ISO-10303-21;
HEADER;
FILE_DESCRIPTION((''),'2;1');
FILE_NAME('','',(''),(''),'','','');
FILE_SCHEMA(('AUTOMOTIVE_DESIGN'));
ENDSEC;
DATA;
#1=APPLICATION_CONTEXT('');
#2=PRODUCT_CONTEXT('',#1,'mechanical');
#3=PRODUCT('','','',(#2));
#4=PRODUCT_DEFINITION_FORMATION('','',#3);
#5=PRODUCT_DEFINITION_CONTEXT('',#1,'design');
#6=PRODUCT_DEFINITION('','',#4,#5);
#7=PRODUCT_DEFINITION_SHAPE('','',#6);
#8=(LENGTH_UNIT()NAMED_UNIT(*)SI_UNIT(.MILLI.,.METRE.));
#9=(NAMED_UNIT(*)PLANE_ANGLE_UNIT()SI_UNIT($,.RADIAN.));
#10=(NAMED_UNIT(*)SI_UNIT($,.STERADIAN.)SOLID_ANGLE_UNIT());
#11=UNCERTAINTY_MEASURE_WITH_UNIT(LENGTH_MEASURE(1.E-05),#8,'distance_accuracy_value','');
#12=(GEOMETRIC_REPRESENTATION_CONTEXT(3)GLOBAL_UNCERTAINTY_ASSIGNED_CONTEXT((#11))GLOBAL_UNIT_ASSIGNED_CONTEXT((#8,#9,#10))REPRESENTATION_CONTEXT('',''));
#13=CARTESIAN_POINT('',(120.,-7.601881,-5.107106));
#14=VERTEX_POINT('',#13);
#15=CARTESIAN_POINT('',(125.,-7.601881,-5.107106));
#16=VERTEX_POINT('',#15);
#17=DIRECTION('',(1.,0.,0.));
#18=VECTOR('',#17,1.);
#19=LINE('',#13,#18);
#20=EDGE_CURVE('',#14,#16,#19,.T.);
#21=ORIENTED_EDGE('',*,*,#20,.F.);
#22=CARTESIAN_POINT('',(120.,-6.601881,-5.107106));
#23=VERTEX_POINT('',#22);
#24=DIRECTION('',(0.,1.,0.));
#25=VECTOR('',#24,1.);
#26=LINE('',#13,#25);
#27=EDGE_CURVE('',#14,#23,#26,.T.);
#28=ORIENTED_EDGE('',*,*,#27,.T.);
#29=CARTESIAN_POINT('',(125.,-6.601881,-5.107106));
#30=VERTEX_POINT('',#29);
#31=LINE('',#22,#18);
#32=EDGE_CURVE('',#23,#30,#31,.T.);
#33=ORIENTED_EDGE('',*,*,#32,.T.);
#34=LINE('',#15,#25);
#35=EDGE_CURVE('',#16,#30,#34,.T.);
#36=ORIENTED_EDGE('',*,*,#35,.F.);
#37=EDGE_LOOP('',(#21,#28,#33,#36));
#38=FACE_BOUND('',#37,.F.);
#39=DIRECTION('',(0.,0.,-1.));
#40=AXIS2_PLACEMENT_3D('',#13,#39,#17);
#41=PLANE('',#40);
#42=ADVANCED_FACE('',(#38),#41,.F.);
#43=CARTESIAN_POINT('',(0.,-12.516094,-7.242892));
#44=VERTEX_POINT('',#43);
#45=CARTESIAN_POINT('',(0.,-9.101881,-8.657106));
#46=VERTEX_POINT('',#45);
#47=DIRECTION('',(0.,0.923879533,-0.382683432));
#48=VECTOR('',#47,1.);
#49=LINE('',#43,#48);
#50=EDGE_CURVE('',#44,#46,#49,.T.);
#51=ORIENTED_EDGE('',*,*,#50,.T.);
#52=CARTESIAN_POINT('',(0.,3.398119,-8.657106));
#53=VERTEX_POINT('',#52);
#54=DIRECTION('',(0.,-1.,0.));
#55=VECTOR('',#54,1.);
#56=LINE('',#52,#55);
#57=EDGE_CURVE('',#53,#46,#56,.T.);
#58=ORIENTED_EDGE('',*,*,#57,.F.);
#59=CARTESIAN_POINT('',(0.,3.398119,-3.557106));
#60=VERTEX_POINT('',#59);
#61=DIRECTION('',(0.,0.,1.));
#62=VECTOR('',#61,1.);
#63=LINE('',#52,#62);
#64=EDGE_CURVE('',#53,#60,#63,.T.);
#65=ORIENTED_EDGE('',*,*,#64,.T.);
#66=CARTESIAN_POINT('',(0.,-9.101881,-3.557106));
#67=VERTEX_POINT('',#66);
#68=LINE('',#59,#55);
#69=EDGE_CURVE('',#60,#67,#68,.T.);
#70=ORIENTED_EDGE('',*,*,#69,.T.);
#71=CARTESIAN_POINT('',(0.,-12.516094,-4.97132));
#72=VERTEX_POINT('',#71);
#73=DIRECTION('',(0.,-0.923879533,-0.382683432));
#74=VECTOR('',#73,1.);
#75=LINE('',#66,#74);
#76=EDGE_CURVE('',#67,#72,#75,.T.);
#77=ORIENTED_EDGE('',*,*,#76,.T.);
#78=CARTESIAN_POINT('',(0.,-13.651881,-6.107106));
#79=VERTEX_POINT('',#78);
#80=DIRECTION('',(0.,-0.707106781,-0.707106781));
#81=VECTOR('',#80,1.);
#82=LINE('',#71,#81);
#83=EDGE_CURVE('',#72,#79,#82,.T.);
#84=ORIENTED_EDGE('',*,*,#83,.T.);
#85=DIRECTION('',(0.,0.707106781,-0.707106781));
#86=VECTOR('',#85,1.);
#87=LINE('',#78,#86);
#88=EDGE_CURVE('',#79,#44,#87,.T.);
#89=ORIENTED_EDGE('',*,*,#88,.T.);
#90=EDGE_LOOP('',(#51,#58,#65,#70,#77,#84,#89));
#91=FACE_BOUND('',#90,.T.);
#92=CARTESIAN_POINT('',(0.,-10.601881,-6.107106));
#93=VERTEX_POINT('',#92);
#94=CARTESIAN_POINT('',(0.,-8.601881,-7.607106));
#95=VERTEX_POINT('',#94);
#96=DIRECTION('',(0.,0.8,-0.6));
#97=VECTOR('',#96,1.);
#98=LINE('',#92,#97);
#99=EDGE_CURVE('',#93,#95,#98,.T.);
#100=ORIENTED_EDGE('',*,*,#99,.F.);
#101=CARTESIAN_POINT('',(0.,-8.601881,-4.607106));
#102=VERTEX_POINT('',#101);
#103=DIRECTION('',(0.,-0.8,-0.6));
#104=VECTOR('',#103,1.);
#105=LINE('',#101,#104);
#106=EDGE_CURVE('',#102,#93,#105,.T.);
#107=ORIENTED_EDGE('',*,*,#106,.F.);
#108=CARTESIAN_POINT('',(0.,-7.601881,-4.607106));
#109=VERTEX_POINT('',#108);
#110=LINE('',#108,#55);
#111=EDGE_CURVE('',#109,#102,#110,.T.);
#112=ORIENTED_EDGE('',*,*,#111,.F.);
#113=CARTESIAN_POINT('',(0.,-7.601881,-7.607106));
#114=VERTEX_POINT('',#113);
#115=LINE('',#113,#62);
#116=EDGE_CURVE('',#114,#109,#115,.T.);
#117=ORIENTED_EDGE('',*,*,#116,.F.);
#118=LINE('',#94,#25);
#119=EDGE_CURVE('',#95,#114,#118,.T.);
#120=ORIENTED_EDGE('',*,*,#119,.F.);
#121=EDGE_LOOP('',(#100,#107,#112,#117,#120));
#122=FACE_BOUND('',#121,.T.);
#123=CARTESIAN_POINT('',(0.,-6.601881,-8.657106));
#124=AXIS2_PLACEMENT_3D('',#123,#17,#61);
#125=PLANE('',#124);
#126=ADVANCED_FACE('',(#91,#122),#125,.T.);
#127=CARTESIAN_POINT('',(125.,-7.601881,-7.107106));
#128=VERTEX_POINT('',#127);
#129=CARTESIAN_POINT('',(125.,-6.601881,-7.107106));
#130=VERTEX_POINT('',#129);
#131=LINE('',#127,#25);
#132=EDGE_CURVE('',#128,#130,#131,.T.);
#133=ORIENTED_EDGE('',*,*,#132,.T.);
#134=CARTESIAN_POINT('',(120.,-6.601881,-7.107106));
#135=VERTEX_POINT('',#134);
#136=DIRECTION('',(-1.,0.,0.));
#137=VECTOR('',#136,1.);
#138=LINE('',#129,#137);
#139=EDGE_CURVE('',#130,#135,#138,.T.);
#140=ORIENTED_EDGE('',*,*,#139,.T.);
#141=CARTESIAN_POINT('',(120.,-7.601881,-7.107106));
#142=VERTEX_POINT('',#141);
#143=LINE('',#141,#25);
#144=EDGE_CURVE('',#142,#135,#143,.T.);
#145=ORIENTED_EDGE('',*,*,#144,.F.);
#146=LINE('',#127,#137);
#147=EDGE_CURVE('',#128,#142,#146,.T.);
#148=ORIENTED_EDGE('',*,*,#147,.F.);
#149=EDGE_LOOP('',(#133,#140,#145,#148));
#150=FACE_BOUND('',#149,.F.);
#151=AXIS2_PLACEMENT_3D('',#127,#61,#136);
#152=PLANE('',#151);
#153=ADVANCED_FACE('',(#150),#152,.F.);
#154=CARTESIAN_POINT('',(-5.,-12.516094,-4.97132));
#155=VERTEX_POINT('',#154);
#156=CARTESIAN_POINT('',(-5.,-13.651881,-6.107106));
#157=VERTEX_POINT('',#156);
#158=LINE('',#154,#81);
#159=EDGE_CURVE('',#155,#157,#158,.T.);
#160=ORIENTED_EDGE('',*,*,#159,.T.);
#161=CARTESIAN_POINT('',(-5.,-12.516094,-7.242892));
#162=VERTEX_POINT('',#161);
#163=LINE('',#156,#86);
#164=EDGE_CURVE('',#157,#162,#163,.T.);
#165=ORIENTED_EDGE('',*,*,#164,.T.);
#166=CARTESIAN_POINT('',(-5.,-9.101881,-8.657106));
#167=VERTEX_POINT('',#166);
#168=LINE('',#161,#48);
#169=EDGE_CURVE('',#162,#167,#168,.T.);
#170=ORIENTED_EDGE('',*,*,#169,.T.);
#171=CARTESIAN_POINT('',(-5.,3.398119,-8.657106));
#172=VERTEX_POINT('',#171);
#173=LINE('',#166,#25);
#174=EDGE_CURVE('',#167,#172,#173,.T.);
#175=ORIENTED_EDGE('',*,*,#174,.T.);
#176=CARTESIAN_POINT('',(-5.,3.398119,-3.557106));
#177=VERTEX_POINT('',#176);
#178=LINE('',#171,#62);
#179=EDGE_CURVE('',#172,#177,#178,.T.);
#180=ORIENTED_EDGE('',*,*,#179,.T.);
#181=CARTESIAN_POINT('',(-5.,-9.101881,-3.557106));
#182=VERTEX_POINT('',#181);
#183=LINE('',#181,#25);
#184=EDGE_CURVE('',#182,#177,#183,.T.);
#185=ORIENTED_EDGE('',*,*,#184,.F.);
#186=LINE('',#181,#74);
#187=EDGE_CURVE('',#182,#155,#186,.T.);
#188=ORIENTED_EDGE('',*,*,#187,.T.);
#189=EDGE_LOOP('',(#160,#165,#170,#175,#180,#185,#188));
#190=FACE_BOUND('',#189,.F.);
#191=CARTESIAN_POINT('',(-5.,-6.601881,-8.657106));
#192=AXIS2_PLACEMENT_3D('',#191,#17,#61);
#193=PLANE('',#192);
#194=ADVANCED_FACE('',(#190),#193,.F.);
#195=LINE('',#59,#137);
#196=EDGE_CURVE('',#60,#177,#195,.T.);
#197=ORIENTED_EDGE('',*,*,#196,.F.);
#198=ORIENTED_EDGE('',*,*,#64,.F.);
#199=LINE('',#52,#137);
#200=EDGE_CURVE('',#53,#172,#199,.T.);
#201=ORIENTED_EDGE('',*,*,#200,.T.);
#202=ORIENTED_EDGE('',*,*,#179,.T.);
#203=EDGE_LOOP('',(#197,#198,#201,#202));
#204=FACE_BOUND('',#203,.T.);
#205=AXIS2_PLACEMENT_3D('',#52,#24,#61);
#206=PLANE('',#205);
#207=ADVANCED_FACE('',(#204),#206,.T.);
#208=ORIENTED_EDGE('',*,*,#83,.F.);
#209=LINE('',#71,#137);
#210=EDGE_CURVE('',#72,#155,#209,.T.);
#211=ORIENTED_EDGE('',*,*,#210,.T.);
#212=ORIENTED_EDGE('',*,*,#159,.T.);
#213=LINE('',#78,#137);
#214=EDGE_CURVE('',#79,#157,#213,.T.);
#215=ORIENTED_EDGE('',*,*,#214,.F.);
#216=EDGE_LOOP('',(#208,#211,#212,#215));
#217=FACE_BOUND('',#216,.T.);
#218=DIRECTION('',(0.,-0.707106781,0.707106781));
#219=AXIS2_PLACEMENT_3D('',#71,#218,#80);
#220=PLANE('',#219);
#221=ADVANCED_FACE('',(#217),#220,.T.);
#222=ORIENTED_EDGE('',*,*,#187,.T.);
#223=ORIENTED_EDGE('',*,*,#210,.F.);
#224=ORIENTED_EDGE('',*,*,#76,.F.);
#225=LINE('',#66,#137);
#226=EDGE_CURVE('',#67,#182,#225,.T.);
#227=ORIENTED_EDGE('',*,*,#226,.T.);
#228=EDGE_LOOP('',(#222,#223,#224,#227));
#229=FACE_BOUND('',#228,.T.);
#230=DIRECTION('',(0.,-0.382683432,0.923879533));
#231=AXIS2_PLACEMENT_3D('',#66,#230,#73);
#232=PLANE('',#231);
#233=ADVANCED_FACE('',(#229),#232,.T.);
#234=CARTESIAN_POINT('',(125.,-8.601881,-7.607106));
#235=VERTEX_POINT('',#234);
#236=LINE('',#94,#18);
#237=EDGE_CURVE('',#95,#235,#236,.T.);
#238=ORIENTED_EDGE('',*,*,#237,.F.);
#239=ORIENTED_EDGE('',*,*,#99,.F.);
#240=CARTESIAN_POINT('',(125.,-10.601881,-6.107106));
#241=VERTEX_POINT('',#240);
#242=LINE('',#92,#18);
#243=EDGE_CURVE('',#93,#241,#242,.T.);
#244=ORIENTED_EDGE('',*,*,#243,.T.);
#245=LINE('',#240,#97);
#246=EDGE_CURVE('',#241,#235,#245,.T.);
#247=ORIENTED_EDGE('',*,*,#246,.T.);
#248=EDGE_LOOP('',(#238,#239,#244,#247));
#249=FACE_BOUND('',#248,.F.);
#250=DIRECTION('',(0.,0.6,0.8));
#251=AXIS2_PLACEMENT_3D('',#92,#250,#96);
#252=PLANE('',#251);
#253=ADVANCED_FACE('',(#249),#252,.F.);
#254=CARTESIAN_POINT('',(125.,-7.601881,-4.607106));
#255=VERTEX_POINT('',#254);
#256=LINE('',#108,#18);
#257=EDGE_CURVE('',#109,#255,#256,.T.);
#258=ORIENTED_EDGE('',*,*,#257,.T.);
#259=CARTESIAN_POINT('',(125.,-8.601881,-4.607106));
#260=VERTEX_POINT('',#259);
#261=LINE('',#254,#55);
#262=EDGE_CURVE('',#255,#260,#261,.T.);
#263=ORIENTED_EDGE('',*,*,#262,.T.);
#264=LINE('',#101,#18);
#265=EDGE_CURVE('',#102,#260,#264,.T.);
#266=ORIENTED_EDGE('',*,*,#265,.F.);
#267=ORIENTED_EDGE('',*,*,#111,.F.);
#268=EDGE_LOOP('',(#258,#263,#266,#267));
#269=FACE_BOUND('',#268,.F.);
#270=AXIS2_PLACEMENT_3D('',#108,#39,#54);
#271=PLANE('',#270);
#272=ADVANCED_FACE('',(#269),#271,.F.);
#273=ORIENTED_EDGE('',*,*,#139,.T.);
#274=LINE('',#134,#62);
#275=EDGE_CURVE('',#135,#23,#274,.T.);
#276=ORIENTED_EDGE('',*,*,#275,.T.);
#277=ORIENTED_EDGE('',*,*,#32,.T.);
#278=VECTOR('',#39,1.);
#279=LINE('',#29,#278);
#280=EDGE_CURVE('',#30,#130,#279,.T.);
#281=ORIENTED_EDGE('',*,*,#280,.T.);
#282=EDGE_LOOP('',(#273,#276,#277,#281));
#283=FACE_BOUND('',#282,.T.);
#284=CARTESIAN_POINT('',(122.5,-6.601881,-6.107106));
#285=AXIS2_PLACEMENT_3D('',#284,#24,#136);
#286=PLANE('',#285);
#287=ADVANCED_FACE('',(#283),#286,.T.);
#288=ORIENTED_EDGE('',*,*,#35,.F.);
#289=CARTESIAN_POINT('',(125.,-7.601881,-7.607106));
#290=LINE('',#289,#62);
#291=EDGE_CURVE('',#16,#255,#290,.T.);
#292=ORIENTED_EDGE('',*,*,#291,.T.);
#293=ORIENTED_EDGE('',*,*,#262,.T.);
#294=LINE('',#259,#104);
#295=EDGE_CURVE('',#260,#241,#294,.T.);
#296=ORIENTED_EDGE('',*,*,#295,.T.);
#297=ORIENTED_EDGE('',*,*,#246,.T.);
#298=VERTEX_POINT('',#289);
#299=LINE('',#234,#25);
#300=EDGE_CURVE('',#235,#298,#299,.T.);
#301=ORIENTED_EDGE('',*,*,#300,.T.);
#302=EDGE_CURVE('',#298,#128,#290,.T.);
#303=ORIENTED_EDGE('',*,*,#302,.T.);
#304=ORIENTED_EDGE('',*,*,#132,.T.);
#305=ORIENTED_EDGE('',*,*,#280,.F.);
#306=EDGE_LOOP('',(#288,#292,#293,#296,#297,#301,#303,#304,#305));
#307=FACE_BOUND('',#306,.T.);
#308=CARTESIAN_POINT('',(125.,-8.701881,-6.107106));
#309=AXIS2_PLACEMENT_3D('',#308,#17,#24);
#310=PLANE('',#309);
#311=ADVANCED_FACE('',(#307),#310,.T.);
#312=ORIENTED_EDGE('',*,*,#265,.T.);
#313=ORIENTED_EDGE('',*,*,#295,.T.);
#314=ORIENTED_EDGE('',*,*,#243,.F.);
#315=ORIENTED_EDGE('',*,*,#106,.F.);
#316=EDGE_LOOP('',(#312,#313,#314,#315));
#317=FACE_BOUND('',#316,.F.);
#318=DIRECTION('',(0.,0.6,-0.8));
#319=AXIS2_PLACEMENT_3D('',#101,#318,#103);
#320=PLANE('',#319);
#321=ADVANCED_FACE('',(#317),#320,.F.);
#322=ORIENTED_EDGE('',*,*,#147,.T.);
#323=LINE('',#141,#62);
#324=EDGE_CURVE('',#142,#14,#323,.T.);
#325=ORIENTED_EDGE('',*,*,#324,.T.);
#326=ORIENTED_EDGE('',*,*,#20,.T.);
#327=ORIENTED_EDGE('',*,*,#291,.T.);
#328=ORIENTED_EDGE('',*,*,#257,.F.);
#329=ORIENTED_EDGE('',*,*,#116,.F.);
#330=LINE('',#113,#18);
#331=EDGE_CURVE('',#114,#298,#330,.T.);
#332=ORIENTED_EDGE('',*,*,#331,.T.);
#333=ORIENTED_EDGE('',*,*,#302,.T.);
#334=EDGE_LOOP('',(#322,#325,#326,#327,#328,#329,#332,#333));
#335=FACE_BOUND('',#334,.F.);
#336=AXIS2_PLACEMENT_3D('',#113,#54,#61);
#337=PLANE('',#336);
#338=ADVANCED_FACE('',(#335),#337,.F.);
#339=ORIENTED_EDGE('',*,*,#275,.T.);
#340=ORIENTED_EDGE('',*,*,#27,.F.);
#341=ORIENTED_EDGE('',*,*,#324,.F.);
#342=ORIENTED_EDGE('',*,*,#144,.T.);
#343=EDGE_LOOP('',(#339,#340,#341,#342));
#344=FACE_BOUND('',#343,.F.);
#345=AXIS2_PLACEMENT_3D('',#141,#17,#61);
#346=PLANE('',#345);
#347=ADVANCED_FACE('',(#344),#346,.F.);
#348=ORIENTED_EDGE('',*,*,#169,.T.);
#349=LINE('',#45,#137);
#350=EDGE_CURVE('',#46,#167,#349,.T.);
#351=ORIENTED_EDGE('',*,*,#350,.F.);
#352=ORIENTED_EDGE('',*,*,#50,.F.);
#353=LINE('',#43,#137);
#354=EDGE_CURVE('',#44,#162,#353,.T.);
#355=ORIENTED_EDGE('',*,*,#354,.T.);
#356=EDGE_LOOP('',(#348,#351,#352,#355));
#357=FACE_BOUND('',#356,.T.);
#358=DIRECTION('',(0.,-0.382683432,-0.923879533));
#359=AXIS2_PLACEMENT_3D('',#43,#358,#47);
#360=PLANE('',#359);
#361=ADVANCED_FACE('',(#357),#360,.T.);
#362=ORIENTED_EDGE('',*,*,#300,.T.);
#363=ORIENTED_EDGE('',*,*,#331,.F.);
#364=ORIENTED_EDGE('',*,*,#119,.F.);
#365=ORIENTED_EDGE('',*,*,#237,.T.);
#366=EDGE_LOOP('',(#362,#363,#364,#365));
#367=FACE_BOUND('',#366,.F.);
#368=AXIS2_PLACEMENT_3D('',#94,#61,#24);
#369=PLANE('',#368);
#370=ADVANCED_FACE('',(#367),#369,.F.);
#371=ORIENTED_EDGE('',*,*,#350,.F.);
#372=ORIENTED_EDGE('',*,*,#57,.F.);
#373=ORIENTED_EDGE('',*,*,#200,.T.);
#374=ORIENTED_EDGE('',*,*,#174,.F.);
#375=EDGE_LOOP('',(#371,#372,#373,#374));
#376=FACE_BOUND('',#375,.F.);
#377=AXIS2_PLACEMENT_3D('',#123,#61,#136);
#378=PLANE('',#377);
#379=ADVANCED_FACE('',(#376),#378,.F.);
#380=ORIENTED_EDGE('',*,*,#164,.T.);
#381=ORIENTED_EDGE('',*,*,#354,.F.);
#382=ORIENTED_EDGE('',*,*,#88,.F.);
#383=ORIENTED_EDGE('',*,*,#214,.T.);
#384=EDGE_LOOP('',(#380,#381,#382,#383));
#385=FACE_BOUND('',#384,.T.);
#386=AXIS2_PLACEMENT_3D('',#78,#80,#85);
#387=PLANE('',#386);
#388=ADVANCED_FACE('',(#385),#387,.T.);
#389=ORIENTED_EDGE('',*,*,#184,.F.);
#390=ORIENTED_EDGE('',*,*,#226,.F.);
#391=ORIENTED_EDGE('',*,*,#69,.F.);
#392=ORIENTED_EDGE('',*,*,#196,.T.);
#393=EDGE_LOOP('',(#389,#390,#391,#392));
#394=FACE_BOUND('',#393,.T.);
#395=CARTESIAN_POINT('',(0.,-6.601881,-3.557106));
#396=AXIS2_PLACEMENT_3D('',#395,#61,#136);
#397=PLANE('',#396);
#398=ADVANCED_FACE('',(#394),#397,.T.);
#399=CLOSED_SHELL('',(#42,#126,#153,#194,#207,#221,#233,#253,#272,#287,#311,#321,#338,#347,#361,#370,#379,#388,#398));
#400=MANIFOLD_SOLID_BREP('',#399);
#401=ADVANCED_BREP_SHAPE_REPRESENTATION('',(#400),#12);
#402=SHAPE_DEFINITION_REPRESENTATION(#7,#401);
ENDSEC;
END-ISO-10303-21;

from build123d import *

# Parameters (mm, degrees)
F1_DEPTH = 125
F2_DEPTH = 5
F4_DEPTH = 1
F5_DEPTH = 10


with BuildPart() as f1:
    # F0 (on Right) → F1 (new body)
    with BuildSketch(Plane.YZ):
        Polygon((-8.6018808093, -7.6071059655), (-7.6018808093, -7.6071059655), (-7.6018808093, -4.6071059655), (-8.6018808093, -4.6071059655), (-10.6018808093, -6.1071059655), align=None)
    extrude(amount=F1_DEPTH)

    # F0 (on Right) → F2 (join)
    with BuildSketch(Plane.YZ):
        Polygon((-12.5160943717, -7.2428924032), (-9.1018808093, -8.6571059655), (-6.6018808093, -8.6571059655), (-6.6018808093, -3.5571059655), (-9.1018808093, -3.5571059655), (-12.5160943717, -4.9713195279), (-13.6518808093, -6.1071059655), align=None)
        Polygon((-7.6018808093, -4.6071059655), (-7.6018808093, -7.6071059655), (-8.6018808093, -7.6071059655), (-10.6018808093, -6.1071059655), (-8.6018808093, -4.6071059655), align=None, mode=Mode.SUBTRACT)
        Polygon((-8.6018808093, -7.6071059655), (-7.6018808093, -7.6071059655), (-7.6018808093, -4.6071059655), (-8.6018808093, -4.6071059655), (-10.6018808093, -6.1071059655), align=None)
    extrude(amount=-F2_DEPTH)

    # F3 (on face) → F4 (join)
    with BuildSketch(Plane(origin=(0, -7.6018808093, 0), x_dir=(-1, 0, 0), z_dir=(0, 1, 0))):
        Polygon((-125, -7.1071059655), (-120, -7.1071059655), (-120, -6.1071059655), (-120, -5.1071059655), (-125, -5.1071059655), align=None)
    extrude(amount=F4_DEPTH)

    # F5 (add): a face of the model
    f5_faces = [f1.faces().sort_by_distance(p)[0] for p in [
        (-2.5, -6.6018808093, -6.1071059655),
    ]]
    extrude(f5_faces, amount=F5_DEPTH)


solid = f1.part
